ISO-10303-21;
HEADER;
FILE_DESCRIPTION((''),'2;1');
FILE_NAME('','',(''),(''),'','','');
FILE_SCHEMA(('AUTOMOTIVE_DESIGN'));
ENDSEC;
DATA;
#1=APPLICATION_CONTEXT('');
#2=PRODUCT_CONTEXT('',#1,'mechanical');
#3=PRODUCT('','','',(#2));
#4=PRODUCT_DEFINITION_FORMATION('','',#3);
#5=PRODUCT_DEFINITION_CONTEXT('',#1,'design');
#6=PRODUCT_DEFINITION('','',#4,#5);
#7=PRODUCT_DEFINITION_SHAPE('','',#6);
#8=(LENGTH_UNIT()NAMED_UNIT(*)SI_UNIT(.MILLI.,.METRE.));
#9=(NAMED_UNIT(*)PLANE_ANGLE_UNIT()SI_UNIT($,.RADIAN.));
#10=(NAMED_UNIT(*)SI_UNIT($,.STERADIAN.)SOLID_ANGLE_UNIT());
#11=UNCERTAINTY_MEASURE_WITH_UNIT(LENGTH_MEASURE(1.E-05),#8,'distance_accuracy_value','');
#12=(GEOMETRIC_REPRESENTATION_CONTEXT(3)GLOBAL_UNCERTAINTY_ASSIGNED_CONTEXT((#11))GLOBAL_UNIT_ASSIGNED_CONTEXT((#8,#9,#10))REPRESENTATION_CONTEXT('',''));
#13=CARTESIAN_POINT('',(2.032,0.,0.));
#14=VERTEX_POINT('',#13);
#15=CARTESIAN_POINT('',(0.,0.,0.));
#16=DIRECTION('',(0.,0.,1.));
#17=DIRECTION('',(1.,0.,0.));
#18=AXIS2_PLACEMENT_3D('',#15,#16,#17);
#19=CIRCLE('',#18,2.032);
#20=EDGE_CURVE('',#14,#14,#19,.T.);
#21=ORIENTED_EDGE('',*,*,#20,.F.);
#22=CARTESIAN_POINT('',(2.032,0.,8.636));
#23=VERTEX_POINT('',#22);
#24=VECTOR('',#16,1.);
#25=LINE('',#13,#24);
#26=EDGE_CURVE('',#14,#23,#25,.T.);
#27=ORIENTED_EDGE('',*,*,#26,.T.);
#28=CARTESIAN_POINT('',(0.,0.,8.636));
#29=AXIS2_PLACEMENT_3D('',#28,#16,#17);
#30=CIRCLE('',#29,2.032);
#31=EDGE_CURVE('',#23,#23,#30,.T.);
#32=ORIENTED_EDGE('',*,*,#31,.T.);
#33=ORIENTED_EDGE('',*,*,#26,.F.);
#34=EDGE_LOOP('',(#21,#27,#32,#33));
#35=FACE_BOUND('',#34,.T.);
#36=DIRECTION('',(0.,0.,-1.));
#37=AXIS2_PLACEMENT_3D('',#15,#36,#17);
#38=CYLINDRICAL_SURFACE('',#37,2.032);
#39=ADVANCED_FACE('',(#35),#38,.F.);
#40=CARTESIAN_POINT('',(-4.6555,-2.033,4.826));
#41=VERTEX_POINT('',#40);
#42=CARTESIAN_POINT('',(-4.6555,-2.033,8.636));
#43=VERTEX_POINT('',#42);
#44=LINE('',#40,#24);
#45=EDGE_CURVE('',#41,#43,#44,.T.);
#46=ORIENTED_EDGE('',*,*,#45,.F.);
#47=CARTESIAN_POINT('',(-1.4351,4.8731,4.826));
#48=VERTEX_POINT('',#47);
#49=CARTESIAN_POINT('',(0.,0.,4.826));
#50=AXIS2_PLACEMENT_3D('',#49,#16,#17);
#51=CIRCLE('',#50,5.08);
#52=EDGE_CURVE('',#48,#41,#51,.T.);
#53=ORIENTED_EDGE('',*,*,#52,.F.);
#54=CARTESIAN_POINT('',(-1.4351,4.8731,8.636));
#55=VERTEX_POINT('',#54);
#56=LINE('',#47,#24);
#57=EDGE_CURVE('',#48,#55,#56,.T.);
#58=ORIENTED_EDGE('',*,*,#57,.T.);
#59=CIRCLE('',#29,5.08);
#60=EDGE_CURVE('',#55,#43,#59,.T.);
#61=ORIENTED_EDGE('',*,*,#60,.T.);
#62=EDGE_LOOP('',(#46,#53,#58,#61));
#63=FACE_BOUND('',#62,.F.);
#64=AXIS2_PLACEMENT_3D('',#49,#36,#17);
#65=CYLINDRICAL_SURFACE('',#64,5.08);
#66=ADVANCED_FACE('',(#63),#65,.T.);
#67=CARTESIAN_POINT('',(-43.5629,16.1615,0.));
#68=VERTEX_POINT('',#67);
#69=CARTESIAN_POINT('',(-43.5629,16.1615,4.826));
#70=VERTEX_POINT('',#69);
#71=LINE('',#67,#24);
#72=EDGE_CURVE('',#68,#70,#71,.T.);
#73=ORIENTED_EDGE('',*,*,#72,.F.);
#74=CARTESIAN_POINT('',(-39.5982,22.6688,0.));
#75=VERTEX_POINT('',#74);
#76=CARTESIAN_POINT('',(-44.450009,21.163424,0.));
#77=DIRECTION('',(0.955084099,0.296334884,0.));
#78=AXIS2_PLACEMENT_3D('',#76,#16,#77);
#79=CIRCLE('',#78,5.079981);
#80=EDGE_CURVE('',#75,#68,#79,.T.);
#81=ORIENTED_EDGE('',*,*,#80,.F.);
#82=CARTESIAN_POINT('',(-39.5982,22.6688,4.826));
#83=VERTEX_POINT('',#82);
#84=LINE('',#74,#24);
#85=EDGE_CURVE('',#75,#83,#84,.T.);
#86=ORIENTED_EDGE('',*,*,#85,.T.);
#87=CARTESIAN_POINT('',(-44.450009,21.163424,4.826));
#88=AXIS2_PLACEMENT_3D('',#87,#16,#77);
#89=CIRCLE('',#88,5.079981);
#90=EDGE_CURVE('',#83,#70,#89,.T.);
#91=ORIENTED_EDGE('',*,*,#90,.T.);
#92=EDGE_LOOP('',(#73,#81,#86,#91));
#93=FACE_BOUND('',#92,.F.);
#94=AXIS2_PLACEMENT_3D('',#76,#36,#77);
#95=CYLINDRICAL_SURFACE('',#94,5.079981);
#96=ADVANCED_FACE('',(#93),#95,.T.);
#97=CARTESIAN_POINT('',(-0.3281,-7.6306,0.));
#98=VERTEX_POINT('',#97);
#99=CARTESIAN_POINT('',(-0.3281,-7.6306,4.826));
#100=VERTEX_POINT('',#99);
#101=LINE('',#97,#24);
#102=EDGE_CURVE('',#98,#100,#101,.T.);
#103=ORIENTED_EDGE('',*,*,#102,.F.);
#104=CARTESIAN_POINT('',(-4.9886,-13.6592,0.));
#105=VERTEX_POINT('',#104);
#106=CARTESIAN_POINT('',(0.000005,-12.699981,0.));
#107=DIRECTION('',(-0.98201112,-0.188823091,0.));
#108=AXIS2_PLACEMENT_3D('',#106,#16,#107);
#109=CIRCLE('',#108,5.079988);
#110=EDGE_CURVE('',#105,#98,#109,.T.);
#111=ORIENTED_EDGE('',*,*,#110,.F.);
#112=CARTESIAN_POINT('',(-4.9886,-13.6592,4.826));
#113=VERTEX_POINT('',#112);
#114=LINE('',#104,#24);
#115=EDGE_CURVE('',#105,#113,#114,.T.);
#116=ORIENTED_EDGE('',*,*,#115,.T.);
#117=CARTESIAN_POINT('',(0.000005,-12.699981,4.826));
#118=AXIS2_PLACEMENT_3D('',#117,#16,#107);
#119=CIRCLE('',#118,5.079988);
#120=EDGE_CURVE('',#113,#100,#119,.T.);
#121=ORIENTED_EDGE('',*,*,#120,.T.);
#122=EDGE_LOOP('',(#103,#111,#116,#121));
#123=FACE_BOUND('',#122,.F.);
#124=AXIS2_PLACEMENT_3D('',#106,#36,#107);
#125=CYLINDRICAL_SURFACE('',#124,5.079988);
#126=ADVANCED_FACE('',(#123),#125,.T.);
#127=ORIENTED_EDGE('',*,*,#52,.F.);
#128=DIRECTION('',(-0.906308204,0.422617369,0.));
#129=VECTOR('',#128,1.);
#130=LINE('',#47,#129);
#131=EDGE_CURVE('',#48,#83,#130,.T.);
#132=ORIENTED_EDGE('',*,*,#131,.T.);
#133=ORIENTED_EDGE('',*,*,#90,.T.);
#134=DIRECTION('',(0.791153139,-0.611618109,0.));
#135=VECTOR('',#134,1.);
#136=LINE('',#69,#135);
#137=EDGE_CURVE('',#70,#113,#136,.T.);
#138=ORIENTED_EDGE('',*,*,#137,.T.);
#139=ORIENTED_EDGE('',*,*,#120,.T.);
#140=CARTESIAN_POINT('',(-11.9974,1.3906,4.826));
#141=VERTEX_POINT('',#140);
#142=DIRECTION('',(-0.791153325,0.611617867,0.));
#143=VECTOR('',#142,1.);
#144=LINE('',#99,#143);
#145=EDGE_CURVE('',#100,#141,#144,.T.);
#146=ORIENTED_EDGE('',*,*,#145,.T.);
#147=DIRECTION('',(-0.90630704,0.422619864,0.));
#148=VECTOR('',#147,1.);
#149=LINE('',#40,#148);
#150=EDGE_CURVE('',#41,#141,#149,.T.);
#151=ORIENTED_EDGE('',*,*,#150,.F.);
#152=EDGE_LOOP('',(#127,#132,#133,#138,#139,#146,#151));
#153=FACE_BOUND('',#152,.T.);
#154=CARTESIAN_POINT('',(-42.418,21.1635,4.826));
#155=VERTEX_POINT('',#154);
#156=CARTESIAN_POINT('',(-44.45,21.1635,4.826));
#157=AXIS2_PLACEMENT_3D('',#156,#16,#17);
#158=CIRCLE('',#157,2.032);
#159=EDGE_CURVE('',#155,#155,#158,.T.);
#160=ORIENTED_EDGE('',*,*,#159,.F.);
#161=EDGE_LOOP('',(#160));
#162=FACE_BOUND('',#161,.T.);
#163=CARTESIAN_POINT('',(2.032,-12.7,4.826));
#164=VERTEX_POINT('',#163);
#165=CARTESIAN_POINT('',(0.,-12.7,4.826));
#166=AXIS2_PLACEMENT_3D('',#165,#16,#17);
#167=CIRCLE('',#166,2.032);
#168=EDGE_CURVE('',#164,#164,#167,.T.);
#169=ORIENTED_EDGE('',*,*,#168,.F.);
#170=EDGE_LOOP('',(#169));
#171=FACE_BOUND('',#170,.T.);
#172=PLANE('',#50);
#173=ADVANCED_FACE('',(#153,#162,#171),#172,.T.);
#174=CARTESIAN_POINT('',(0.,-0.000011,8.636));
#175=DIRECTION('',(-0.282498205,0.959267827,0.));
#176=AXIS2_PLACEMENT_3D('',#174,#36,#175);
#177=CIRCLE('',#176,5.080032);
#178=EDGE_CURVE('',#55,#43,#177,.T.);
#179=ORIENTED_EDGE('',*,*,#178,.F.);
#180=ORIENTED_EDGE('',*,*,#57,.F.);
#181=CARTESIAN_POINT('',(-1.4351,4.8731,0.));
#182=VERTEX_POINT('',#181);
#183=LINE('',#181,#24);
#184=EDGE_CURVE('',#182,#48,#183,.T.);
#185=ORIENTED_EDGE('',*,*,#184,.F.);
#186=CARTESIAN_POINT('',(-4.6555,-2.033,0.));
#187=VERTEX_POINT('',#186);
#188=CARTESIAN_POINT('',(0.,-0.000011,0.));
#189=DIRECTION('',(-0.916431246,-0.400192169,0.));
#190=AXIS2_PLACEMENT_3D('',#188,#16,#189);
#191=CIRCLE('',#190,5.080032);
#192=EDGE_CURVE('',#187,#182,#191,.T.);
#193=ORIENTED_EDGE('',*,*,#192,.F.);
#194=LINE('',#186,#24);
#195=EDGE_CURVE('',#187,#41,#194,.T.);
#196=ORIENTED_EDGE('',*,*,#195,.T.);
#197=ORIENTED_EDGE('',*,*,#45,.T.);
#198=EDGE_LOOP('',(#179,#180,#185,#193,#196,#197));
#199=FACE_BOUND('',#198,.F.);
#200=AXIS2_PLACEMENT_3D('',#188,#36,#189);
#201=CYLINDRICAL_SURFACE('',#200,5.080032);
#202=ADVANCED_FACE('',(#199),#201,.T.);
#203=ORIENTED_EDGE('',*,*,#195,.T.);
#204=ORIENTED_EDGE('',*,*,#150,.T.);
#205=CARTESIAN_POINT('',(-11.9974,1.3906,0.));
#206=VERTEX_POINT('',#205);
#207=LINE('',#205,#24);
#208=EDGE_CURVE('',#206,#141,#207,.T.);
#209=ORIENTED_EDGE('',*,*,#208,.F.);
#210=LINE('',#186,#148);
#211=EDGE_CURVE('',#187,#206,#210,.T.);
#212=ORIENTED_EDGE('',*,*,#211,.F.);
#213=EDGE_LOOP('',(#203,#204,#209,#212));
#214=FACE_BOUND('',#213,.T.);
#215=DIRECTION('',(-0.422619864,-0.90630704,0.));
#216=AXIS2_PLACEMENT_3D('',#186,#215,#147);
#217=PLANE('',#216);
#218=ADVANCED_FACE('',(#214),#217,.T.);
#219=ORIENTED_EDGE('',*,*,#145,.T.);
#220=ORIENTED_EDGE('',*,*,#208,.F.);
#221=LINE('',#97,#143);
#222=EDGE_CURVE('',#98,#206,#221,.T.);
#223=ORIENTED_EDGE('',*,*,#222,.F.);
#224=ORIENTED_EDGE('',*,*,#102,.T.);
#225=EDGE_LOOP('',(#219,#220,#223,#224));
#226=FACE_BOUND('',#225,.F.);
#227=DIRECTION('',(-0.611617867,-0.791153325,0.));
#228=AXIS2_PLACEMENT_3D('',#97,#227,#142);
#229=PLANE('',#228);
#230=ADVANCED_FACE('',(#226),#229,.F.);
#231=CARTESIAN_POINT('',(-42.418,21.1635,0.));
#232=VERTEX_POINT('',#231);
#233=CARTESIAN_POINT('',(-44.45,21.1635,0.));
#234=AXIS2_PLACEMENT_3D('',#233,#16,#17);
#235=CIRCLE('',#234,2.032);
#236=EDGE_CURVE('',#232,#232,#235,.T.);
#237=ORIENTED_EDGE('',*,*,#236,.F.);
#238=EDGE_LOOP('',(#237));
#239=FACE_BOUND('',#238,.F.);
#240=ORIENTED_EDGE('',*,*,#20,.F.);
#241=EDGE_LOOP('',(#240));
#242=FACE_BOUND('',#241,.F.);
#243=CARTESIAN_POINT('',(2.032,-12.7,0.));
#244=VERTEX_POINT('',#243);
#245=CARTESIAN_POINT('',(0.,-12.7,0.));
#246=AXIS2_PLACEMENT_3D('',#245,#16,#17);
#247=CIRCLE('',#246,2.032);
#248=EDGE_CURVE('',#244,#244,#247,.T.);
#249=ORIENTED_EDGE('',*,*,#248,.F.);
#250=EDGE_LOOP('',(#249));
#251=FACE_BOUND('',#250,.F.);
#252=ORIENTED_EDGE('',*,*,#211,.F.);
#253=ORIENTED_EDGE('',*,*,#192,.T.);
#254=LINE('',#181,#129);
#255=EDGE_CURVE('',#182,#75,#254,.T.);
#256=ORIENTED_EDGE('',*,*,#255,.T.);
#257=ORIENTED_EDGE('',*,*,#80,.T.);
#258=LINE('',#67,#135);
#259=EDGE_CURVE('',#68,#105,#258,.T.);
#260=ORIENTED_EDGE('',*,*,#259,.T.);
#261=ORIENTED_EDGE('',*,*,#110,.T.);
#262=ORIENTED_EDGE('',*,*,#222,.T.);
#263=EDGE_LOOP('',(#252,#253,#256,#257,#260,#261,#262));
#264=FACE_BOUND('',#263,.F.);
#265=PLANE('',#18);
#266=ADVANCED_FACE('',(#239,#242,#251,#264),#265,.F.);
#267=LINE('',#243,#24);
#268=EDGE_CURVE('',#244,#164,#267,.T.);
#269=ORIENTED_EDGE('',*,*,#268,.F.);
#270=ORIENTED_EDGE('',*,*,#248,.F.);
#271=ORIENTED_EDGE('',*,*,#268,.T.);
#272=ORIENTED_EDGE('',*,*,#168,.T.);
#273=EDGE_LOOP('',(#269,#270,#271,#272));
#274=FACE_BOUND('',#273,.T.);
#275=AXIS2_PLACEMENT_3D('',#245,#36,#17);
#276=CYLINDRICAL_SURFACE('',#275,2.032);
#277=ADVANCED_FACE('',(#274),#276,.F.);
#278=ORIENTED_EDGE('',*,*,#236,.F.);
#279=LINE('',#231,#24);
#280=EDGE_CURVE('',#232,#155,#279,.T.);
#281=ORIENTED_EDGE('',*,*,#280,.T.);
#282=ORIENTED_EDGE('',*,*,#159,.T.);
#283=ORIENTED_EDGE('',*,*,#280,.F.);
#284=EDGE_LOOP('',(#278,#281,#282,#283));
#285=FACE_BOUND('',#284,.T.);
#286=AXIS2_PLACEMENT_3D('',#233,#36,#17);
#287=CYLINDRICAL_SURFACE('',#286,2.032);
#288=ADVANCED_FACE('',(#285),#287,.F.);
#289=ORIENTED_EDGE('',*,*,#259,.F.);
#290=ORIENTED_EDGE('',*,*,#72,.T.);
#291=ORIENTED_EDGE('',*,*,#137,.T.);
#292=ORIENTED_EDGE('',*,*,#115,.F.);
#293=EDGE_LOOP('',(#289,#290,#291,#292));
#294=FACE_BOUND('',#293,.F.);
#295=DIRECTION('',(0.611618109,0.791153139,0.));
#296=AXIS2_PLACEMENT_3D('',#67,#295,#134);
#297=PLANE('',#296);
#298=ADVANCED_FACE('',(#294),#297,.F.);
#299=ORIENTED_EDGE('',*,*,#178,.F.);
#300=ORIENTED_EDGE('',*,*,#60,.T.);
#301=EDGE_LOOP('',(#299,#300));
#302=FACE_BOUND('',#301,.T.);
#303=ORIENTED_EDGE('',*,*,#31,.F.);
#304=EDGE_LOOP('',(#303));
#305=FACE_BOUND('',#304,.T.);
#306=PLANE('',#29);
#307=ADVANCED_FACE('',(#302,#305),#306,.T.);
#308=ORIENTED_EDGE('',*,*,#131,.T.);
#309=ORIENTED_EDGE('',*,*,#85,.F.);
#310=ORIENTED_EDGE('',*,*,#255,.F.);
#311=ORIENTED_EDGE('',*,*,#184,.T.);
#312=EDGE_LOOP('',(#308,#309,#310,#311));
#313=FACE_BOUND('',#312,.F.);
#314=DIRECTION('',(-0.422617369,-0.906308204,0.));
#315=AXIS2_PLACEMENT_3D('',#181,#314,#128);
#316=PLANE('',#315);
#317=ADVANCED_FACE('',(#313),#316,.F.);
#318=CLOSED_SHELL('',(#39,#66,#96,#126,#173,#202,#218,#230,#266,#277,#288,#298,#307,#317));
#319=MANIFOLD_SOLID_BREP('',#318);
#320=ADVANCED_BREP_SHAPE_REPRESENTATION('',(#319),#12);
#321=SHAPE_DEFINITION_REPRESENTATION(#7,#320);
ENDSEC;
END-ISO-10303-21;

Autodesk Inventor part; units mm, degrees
ref_plane "YZ Plane" through (0, 0, 0) normal (1, 0, 0) x (0, 1, 0)
ref_plane "XZ Plane" through (0, 0, 0) normal (0, 1, 0) x (-1, 0, 0)
ref_plane "XY Plane" through (0, 0, 0) normal (0, 0, 1) x (1, 0, 0)
sketch "Sketch1" plane through (0, 0, 0) normal (0, 0, 1) x (1, 0, 0)
  arc A0 (-4.6555, -2.033) -> (-1.4351, 4.8731) centre (0, 0) ccw
  circle A1 centre (0, 0) radius 2.032
  arc A2 (-4.9886, -13.6592) -> (-0.3281, -7.6306) centre (0, -12.7) ccw
  circle A3 centre (0, -12.7) radius 2.032
  line L0 (-43.5629, 16.1615) -> (-4.9886, -13.6592)
  line L1 (-0.3281, -7.6306) -> (-11.9974, 1.3906)
  line L2 (-1.4351, 4.8731) -> (-39.5982, 22.6688)
  arc A4 (-39.5982, 22.6688) -> (-43.5629, 16.1615) centre (-44.45, 21.1635) ccw
  circle A5 centre (-44.45, 21.1635) radius 2.032
  line L3 (-39.5982, 22.6688) -> (-46.4155, 25.8478) construction
  line L4 (-43.5629, 16.1615) -> (-49.5141, 20.7622) construction
  line L5 (-4.6555, -2.033) -> (-11.9974, 1.3906)
  line L6 (0, 0) -> (25.4, 0) construction
  point P0 (-4.1501, -2.9296)
  point P1 (-3.0659, -4.0505)
  dimension "d0" = 10.16
  dimension "d1" = 4.064
  dimension "d7" = 10.16
  dimension "d8" = 4.064
  dimension "d9" = 12.7
  dimension "d10" = 7.62
  dimension "d11" = 3.81
  dimension "d20" = 10.16
  dimension "d21" = 4.064
  dimension "d25" = 7.62
  dimension "d29" = 44.45
  dimension "d30" = 7.62
  dimension "d31" = 3.81
  dimension "d32" = 25.4
  dimension "d33" = 25
extrude "Extrusion1" add sketch "Sketch1" along normal blind 4.826
sketch "Sketch4" plane through (0, 0, 4.826) normal (0, 0, 1) x (1, 0, 0)
  arc A0 (-4.6555, -2.033) -> (-1.4351, 4.8731) centre (0, 0) ccw projected
  circle A1 centre (0, 0) radius 2.032 projected
  circle A2 centre (0, 0) radius 5.08
  point P0 (-1.4351, 4.8731)
  point P1 (-3.0659, -4.0505)
  point P2 (5.08, 0)
  point P3 (-1.4351, 4.8731)
extrude "Extrusion4" add sketch "Sketch4" along normal blind 3.81
equation "\"d8\" = d1"
equation "\"d11\" = 0.5 * d10"
properties part number "Tip Arm"
